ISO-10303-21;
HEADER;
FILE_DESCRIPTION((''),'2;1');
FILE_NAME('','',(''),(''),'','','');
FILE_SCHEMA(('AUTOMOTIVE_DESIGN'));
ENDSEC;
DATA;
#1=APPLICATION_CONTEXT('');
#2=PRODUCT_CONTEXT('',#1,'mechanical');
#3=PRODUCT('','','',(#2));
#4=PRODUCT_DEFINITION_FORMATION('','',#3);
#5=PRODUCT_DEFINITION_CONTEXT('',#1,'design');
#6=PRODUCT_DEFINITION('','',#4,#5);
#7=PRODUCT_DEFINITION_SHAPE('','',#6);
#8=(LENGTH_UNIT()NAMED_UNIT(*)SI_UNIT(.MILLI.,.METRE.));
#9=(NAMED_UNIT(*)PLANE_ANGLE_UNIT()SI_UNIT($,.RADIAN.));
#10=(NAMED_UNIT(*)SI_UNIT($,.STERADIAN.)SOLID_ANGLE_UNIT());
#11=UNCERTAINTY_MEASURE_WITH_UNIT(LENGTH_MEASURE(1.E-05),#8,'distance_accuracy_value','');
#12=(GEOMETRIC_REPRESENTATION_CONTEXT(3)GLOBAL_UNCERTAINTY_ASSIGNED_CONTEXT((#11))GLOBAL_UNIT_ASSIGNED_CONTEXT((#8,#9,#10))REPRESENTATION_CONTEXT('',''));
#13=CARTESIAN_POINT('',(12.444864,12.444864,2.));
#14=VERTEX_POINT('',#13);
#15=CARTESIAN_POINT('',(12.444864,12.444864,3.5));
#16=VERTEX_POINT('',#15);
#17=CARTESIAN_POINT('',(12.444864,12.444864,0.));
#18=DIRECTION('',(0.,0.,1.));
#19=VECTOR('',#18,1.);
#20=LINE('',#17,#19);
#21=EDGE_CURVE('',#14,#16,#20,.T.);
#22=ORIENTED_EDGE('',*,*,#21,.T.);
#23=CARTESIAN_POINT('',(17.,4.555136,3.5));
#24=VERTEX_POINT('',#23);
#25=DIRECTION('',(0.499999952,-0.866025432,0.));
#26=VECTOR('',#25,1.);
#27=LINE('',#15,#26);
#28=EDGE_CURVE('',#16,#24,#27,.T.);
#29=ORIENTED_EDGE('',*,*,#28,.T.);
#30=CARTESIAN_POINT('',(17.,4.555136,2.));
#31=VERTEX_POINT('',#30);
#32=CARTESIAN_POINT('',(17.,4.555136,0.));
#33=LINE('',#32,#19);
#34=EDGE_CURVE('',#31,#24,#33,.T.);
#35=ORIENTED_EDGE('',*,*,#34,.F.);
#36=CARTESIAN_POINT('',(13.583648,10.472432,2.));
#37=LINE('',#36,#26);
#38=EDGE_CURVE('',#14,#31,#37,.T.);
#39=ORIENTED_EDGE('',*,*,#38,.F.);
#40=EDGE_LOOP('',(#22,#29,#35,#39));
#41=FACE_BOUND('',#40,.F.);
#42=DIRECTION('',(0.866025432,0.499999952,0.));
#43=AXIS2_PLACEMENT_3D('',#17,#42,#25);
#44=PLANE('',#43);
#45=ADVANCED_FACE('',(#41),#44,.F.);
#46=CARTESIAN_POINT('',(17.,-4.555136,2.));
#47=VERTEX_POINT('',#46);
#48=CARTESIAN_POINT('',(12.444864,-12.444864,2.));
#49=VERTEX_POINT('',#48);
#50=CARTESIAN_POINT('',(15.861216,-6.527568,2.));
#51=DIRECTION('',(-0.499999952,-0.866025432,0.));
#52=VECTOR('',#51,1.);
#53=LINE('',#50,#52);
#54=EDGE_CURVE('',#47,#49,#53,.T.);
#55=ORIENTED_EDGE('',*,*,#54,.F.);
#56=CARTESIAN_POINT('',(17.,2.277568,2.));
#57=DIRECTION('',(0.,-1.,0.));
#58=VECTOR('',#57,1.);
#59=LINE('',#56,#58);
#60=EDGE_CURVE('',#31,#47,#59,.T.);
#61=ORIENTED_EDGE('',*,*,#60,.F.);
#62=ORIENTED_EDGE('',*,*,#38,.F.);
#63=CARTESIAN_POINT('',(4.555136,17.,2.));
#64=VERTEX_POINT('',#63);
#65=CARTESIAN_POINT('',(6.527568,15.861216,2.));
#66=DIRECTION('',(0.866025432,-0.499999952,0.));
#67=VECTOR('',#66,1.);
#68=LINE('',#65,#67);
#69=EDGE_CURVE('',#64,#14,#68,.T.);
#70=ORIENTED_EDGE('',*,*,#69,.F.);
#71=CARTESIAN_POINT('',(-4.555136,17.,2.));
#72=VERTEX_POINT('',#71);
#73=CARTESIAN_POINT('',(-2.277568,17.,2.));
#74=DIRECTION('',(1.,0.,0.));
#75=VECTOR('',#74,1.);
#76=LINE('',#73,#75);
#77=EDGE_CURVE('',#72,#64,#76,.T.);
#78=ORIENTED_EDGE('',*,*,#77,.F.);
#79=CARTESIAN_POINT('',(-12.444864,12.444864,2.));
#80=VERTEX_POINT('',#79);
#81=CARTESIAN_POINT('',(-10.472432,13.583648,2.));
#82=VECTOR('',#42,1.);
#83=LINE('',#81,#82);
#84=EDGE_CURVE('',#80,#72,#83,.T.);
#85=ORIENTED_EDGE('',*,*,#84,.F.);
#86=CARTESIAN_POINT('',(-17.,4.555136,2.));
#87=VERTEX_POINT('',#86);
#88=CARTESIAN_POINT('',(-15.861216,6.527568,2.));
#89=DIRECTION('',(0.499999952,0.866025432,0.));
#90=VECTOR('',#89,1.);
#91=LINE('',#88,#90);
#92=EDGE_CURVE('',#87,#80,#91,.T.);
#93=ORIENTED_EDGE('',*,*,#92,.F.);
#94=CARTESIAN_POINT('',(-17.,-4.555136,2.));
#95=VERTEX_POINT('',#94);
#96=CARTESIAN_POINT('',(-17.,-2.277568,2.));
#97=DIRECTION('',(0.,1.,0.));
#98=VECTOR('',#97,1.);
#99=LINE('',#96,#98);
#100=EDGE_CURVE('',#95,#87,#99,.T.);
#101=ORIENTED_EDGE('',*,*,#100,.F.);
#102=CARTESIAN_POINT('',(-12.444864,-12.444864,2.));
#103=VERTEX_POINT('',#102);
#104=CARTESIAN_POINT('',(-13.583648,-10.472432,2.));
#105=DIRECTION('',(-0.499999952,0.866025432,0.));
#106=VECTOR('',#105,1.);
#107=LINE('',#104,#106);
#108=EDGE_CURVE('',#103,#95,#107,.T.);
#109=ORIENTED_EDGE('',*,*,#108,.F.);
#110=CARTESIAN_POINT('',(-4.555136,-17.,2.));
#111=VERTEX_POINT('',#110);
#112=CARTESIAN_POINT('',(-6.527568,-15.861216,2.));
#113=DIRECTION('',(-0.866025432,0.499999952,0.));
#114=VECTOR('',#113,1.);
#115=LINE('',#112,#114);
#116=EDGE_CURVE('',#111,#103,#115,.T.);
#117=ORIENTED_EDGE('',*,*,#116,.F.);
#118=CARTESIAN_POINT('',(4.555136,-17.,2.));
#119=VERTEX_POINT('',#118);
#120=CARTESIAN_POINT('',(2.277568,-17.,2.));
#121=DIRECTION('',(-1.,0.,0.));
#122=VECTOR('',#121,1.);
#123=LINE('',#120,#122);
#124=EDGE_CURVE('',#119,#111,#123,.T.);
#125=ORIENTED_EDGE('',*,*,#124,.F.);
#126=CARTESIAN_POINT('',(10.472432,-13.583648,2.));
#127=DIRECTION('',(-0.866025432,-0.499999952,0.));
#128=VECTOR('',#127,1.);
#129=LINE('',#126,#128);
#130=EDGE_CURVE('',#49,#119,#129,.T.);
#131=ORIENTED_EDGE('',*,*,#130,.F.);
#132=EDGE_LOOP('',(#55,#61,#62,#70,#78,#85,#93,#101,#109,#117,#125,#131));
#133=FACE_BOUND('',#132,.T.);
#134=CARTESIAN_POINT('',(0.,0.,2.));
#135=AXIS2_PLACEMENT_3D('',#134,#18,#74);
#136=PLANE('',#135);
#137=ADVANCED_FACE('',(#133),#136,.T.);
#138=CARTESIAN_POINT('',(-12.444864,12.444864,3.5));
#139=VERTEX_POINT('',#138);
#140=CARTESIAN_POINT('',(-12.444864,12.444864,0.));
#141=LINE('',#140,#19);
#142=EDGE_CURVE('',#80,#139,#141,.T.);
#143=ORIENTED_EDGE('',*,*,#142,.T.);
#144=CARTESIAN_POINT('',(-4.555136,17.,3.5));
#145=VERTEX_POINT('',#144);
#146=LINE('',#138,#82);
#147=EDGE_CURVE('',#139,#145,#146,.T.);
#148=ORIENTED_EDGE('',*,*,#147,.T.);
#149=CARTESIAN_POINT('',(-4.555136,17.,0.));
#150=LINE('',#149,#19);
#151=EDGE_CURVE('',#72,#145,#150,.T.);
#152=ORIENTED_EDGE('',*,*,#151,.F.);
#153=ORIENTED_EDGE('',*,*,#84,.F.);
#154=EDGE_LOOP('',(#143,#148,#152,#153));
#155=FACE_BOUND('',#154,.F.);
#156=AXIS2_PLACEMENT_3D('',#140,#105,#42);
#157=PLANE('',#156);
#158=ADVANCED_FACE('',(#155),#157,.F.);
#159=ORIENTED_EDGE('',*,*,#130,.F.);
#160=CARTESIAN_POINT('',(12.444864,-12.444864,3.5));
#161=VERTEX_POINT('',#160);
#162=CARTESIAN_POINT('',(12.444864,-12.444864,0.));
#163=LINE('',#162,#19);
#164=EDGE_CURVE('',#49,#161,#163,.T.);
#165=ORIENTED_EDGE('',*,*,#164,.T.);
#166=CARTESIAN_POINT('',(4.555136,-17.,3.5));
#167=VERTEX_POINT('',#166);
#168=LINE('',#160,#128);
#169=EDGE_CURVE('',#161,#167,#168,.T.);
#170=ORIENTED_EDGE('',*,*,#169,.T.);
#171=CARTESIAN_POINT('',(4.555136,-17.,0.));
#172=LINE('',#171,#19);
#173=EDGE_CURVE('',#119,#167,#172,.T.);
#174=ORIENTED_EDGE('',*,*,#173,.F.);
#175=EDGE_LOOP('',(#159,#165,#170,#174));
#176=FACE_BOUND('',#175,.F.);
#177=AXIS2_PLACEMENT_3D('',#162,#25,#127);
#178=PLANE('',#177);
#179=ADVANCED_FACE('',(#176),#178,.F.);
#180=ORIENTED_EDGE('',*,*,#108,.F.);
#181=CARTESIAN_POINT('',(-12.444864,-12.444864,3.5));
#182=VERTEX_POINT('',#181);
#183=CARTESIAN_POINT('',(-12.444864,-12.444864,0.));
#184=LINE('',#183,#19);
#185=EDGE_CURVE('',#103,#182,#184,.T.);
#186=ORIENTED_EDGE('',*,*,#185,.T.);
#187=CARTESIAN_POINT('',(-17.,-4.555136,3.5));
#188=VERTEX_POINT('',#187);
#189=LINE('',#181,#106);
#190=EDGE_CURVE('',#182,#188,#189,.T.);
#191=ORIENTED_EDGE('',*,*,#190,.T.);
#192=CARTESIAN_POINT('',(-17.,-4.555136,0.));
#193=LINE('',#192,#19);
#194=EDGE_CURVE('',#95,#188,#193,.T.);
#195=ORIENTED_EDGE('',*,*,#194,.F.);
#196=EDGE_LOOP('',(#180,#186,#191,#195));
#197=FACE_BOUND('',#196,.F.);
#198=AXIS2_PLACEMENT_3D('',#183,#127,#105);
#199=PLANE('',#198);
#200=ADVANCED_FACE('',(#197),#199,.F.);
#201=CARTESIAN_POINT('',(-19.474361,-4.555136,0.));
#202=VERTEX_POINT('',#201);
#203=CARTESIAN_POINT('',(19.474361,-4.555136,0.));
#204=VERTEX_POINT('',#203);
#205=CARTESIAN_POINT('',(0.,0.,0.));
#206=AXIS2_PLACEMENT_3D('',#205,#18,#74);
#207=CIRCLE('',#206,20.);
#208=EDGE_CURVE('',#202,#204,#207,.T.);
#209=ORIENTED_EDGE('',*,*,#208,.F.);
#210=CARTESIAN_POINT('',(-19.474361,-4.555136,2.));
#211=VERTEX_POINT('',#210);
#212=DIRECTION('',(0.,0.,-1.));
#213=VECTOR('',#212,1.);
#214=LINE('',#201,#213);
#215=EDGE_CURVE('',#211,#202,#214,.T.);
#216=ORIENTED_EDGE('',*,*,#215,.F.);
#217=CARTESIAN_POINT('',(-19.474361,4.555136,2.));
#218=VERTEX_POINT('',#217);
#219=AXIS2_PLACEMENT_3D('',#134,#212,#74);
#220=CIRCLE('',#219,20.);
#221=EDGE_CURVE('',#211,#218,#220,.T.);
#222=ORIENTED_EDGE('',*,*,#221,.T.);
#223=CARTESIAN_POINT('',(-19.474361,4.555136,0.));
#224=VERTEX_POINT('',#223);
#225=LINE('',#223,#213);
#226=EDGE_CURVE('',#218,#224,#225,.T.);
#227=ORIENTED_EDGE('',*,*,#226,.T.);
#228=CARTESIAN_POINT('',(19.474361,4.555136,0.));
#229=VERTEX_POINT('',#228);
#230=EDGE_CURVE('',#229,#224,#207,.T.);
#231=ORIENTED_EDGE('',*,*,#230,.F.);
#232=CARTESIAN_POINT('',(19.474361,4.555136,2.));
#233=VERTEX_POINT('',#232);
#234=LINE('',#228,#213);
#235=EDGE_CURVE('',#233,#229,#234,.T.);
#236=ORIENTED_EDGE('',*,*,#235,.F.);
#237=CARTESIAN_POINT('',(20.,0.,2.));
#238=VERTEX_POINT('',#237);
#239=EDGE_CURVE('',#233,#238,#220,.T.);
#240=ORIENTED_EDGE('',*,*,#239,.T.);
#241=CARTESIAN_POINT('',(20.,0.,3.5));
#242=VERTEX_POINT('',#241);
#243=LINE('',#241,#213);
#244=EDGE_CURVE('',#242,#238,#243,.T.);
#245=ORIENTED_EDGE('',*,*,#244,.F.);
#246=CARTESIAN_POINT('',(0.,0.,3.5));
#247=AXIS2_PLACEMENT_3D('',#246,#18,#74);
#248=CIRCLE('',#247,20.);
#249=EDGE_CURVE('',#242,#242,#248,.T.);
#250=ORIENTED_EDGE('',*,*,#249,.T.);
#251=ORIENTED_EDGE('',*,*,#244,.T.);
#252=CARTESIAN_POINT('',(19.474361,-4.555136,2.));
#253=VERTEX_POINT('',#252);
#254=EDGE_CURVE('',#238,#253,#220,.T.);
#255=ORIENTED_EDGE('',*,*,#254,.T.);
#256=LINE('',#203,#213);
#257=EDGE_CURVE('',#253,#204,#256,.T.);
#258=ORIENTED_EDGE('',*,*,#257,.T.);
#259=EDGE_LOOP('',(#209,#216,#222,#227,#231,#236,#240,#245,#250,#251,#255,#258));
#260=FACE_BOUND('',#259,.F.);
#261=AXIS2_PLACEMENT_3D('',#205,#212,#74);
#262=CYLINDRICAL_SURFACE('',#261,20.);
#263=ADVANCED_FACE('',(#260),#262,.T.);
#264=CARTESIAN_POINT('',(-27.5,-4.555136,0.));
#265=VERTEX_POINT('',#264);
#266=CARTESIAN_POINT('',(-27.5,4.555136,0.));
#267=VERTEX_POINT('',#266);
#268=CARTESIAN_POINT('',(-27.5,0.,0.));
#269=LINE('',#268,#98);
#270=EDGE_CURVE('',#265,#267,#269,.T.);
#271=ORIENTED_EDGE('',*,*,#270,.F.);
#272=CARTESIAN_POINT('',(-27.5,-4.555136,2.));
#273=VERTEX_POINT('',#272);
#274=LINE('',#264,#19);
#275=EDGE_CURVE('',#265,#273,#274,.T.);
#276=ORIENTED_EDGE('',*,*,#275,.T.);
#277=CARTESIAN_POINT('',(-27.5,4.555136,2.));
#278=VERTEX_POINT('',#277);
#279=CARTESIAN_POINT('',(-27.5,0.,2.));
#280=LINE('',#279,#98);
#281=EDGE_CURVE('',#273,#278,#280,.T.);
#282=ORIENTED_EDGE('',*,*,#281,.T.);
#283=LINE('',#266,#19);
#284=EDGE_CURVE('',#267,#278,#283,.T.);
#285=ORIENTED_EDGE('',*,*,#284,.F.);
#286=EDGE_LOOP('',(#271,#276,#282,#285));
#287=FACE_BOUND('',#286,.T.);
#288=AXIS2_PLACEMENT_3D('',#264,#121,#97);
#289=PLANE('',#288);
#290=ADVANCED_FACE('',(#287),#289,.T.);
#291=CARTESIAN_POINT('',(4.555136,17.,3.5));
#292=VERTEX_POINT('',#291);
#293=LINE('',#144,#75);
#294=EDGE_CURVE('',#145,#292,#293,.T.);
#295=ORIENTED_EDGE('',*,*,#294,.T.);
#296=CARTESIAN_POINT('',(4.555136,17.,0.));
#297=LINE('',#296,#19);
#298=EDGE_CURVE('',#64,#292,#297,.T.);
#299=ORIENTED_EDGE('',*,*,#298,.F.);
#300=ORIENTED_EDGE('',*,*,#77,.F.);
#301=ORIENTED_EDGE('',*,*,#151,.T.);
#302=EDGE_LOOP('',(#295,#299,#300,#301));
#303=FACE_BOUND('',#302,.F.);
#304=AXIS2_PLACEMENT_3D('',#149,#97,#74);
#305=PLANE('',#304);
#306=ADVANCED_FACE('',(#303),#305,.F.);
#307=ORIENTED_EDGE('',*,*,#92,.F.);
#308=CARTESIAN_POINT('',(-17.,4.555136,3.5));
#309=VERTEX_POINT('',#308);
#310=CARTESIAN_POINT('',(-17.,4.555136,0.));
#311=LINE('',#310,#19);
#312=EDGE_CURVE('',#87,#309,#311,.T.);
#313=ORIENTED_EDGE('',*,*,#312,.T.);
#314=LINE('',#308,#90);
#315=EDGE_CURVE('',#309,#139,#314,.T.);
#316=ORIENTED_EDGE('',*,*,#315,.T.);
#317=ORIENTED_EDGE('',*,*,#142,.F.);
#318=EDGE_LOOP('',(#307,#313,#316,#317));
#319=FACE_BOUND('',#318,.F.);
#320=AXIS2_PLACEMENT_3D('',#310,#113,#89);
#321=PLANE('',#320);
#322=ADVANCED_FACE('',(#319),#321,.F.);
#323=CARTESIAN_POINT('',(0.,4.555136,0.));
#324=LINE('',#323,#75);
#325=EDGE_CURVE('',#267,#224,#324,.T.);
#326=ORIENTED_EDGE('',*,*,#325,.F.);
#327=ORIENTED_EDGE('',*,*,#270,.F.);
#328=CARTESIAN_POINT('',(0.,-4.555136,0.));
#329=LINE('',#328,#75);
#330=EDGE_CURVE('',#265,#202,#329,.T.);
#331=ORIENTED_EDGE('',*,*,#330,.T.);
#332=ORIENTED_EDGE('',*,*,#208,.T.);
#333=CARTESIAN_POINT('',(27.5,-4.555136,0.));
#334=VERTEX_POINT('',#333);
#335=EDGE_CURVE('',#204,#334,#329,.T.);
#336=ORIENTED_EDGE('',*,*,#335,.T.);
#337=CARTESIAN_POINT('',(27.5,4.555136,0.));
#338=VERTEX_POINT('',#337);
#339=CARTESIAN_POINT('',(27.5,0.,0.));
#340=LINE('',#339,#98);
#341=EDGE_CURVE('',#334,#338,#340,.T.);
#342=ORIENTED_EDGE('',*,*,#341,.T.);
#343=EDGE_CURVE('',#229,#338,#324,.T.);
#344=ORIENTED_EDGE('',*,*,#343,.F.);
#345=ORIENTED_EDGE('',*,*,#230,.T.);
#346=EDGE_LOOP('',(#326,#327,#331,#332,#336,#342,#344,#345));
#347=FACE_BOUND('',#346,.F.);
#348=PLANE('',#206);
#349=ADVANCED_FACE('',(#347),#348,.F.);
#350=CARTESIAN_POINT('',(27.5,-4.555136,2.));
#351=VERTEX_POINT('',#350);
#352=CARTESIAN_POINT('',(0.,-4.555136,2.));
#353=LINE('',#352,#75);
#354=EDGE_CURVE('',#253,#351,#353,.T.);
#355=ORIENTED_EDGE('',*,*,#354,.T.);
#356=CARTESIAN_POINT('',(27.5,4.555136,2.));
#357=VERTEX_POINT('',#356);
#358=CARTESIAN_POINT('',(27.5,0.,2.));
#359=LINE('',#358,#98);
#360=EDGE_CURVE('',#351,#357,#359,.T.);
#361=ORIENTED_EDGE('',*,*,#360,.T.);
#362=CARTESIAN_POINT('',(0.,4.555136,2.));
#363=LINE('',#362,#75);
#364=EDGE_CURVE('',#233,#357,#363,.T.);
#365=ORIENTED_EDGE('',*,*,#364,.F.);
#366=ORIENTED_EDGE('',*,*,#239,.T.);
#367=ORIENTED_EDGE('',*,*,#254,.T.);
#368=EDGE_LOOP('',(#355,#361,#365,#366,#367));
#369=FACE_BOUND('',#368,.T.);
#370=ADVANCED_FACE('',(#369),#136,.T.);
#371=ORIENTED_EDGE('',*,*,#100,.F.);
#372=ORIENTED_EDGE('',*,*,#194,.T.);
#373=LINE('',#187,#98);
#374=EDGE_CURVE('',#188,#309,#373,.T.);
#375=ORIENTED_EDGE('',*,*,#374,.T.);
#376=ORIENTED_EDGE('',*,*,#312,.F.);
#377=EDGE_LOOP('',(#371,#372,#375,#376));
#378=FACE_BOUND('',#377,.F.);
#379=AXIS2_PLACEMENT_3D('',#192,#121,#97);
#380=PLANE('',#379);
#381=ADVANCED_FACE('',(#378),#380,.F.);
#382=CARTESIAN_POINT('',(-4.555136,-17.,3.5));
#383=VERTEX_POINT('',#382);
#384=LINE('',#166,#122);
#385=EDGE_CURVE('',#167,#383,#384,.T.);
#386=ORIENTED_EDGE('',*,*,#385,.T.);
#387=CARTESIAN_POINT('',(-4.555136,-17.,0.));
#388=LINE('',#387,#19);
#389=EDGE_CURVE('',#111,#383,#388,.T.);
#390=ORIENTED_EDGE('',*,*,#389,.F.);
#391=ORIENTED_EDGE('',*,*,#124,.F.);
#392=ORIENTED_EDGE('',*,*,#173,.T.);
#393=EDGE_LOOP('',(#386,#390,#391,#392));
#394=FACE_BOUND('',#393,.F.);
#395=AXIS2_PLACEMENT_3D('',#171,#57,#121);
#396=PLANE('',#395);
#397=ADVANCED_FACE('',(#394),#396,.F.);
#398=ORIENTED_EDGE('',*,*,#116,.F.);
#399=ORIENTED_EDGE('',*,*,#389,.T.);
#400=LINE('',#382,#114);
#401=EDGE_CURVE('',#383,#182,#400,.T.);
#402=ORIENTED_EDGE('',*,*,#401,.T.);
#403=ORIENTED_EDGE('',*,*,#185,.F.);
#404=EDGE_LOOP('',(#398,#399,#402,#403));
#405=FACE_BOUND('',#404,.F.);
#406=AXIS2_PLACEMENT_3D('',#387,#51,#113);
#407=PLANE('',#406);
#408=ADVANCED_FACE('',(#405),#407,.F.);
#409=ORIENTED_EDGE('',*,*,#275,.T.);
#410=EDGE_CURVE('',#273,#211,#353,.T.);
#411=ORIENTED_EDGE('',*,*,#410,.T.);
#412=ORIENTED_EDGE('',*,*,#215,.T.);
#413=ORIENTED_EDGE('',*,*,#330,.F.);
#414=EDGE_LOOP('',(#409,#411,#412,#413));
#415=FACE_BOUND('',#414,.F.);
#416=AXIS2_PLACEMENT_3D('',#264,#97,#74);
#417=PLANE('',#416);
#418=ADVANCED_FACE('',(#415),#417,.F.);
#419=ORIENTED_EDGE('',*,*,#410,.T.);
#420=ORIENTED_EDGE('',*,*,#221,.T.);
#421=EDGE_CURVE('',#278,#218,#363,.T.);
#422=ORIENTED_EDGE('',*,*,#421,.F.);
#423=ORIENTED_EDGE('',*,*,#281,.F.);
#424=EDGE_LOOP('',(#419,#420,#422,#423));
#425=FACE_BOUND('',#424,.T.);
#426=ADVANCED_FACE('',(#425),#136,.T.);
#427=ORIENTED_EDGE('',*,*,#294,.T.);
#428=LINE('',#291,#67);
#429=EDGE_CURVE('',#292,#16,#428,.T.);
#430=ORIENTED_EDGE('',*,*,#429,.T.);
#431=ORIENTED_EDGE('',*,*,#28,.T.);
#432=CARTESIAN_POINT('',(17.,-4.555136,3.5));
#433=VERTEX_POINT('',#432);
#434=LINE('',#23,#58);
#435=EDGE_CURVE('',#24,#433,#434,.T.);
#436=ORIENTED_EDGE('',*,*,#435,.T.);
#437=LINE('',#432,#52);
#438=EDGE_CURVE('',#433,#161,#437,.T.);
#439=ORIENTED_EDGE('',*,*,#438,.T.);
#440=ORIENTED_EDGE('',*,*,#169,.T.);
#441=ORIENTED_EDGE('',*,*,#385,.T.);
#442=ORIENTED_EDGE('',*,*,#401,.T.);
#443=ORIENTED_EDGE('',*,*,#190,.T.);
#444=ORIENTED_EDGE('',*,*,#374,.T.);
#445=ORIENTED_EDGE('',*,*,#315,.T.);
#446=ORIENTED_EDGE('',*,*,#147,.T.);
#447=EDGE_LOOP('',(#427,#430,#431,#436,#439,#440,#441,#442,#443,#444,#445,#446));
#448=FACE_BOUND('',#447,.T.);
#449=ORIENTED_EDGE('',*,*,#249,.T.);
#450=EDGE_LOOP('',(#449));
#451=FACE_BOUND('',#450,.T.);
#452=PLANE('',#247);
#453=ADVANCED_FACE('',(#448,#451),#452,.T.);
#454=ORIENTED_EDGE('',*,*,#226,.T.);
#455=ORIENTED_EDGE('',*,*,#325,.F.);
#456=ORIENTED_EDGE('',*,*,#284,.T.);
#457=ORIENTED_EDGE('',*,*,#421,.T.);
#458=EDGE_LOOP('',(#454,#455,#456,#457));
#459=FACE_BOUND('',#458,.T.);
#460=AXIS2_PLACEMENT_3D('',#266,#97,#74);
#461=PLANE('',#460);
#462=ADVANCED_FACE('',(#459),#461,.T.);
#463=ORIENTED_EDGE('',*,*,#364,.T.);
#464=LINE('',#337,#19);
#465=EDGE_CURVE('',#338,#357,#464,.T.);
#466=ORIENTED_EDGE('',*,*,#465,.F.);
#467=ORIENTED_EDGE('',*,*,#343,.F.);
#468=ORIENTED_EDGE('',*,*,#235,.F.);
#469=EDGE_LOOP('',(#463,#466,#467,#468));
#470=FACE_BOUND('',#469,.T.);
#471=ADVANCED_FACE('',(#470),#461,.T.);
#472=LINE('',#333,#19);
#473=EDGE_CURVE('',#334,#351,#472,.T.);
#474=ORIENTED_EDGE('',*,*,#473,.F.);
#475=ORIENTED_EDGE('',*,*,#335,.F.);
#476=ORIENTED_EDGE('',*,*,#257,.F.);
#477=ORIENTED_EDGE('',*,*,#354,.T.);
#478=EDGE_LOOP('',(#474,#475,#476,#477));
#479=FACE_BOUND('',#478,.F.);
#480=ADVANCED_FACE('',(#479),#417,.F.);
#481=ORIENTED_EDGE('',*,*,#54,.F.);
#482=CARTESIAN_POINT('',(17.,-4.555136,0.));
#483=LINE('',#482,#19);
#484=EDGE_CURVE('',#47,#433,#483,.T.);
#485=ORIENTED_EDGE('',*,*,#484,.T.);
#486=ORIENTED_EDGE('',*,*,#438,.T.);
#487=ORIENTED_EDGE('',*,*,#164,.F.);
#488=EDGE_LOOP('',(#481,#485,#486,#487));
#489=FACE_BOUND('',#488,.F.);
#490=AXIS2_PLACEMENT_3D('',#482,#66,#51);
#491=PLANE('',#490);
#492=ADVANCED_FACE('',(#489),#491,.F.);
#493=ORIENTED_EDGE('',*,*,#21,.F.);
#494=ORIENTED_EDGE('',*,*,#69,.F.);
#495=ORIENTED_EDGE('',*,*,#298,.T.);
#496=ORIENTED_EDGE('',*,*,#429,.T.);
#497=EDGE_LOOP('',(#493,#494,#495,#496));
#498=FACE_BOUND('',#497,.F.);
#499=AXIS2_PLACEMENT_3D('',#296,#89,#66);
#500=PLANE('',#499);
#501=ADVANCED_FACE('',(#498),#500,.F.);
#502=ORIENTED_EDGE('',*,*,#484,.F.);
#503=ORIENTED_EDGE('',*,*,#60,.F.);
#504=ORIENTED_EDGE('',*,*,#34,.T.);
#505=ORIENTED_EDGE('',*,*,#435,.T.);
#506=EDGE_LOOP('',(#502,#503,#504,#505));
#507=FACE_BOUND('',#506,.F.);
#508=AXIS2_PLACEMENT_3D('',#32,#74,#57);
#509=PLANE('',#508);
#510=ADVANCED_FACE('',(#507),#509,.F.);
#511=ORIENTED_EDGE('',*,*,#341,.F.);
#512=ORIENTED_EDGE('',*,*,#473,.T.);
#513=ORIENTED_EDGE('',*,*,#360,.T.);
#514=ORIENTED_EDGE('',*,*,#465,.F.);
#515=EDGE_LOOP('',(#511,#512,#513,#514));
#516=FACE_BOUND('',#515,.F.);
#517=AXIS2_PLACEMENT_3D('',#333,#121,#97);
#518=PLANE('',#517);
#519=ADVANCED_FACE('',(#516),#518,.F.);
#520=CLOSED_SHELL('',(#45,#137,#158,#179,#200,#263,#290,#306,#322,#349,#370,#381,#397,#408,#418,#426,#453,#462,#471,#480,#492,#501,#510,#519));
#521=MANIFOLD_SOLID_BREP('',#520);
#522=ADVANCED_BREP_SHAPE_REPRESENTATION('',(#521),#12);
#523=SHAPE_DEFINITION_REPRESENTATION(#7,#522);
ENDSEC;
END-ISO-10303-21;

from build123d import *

# Parameters (mm, degrees)
F0_R     = 20
F1_DEPTH = 3.5
F3_R     = 20
F4_DEPTH = 2
F5_W     = 55
F5_H     = 9.110272
F6_DEPTH = 2


with BuildPart() as f1:
    # F0 (on Top) → F1 (new body)
    with BuildSketch(Plane.XY):
        Circle(F0_R)
        Polygon((-12.444864, 12.444864), (-4.555136, 17), (4.555136, 17), (12.444864, 12.444864), (17, 4.555136), (17, -4.555136), (12.444864, -12.444864), (4.555136, -17), (-4.555136, -17), (-12.444864, -12.444864), (-17, -4.555136), (-17, 4.555136), align=None, mode=Mode.SUBTRACT)
    extrude(amount=F1_DEPTH)

    # F3 (on Top) → F4 (join)
    with BuildSketch(Plane.XY):
        Circle(F3_R)
    extrude(amount=F4_DEPTH)

    # F5 (on Top) → F6 (join)
    with BuildSketch(Plane.XY):
        Rectangle(F5_W, F5_H)
    extrude(amount=F6_DEPTH)


solid = f1.part
